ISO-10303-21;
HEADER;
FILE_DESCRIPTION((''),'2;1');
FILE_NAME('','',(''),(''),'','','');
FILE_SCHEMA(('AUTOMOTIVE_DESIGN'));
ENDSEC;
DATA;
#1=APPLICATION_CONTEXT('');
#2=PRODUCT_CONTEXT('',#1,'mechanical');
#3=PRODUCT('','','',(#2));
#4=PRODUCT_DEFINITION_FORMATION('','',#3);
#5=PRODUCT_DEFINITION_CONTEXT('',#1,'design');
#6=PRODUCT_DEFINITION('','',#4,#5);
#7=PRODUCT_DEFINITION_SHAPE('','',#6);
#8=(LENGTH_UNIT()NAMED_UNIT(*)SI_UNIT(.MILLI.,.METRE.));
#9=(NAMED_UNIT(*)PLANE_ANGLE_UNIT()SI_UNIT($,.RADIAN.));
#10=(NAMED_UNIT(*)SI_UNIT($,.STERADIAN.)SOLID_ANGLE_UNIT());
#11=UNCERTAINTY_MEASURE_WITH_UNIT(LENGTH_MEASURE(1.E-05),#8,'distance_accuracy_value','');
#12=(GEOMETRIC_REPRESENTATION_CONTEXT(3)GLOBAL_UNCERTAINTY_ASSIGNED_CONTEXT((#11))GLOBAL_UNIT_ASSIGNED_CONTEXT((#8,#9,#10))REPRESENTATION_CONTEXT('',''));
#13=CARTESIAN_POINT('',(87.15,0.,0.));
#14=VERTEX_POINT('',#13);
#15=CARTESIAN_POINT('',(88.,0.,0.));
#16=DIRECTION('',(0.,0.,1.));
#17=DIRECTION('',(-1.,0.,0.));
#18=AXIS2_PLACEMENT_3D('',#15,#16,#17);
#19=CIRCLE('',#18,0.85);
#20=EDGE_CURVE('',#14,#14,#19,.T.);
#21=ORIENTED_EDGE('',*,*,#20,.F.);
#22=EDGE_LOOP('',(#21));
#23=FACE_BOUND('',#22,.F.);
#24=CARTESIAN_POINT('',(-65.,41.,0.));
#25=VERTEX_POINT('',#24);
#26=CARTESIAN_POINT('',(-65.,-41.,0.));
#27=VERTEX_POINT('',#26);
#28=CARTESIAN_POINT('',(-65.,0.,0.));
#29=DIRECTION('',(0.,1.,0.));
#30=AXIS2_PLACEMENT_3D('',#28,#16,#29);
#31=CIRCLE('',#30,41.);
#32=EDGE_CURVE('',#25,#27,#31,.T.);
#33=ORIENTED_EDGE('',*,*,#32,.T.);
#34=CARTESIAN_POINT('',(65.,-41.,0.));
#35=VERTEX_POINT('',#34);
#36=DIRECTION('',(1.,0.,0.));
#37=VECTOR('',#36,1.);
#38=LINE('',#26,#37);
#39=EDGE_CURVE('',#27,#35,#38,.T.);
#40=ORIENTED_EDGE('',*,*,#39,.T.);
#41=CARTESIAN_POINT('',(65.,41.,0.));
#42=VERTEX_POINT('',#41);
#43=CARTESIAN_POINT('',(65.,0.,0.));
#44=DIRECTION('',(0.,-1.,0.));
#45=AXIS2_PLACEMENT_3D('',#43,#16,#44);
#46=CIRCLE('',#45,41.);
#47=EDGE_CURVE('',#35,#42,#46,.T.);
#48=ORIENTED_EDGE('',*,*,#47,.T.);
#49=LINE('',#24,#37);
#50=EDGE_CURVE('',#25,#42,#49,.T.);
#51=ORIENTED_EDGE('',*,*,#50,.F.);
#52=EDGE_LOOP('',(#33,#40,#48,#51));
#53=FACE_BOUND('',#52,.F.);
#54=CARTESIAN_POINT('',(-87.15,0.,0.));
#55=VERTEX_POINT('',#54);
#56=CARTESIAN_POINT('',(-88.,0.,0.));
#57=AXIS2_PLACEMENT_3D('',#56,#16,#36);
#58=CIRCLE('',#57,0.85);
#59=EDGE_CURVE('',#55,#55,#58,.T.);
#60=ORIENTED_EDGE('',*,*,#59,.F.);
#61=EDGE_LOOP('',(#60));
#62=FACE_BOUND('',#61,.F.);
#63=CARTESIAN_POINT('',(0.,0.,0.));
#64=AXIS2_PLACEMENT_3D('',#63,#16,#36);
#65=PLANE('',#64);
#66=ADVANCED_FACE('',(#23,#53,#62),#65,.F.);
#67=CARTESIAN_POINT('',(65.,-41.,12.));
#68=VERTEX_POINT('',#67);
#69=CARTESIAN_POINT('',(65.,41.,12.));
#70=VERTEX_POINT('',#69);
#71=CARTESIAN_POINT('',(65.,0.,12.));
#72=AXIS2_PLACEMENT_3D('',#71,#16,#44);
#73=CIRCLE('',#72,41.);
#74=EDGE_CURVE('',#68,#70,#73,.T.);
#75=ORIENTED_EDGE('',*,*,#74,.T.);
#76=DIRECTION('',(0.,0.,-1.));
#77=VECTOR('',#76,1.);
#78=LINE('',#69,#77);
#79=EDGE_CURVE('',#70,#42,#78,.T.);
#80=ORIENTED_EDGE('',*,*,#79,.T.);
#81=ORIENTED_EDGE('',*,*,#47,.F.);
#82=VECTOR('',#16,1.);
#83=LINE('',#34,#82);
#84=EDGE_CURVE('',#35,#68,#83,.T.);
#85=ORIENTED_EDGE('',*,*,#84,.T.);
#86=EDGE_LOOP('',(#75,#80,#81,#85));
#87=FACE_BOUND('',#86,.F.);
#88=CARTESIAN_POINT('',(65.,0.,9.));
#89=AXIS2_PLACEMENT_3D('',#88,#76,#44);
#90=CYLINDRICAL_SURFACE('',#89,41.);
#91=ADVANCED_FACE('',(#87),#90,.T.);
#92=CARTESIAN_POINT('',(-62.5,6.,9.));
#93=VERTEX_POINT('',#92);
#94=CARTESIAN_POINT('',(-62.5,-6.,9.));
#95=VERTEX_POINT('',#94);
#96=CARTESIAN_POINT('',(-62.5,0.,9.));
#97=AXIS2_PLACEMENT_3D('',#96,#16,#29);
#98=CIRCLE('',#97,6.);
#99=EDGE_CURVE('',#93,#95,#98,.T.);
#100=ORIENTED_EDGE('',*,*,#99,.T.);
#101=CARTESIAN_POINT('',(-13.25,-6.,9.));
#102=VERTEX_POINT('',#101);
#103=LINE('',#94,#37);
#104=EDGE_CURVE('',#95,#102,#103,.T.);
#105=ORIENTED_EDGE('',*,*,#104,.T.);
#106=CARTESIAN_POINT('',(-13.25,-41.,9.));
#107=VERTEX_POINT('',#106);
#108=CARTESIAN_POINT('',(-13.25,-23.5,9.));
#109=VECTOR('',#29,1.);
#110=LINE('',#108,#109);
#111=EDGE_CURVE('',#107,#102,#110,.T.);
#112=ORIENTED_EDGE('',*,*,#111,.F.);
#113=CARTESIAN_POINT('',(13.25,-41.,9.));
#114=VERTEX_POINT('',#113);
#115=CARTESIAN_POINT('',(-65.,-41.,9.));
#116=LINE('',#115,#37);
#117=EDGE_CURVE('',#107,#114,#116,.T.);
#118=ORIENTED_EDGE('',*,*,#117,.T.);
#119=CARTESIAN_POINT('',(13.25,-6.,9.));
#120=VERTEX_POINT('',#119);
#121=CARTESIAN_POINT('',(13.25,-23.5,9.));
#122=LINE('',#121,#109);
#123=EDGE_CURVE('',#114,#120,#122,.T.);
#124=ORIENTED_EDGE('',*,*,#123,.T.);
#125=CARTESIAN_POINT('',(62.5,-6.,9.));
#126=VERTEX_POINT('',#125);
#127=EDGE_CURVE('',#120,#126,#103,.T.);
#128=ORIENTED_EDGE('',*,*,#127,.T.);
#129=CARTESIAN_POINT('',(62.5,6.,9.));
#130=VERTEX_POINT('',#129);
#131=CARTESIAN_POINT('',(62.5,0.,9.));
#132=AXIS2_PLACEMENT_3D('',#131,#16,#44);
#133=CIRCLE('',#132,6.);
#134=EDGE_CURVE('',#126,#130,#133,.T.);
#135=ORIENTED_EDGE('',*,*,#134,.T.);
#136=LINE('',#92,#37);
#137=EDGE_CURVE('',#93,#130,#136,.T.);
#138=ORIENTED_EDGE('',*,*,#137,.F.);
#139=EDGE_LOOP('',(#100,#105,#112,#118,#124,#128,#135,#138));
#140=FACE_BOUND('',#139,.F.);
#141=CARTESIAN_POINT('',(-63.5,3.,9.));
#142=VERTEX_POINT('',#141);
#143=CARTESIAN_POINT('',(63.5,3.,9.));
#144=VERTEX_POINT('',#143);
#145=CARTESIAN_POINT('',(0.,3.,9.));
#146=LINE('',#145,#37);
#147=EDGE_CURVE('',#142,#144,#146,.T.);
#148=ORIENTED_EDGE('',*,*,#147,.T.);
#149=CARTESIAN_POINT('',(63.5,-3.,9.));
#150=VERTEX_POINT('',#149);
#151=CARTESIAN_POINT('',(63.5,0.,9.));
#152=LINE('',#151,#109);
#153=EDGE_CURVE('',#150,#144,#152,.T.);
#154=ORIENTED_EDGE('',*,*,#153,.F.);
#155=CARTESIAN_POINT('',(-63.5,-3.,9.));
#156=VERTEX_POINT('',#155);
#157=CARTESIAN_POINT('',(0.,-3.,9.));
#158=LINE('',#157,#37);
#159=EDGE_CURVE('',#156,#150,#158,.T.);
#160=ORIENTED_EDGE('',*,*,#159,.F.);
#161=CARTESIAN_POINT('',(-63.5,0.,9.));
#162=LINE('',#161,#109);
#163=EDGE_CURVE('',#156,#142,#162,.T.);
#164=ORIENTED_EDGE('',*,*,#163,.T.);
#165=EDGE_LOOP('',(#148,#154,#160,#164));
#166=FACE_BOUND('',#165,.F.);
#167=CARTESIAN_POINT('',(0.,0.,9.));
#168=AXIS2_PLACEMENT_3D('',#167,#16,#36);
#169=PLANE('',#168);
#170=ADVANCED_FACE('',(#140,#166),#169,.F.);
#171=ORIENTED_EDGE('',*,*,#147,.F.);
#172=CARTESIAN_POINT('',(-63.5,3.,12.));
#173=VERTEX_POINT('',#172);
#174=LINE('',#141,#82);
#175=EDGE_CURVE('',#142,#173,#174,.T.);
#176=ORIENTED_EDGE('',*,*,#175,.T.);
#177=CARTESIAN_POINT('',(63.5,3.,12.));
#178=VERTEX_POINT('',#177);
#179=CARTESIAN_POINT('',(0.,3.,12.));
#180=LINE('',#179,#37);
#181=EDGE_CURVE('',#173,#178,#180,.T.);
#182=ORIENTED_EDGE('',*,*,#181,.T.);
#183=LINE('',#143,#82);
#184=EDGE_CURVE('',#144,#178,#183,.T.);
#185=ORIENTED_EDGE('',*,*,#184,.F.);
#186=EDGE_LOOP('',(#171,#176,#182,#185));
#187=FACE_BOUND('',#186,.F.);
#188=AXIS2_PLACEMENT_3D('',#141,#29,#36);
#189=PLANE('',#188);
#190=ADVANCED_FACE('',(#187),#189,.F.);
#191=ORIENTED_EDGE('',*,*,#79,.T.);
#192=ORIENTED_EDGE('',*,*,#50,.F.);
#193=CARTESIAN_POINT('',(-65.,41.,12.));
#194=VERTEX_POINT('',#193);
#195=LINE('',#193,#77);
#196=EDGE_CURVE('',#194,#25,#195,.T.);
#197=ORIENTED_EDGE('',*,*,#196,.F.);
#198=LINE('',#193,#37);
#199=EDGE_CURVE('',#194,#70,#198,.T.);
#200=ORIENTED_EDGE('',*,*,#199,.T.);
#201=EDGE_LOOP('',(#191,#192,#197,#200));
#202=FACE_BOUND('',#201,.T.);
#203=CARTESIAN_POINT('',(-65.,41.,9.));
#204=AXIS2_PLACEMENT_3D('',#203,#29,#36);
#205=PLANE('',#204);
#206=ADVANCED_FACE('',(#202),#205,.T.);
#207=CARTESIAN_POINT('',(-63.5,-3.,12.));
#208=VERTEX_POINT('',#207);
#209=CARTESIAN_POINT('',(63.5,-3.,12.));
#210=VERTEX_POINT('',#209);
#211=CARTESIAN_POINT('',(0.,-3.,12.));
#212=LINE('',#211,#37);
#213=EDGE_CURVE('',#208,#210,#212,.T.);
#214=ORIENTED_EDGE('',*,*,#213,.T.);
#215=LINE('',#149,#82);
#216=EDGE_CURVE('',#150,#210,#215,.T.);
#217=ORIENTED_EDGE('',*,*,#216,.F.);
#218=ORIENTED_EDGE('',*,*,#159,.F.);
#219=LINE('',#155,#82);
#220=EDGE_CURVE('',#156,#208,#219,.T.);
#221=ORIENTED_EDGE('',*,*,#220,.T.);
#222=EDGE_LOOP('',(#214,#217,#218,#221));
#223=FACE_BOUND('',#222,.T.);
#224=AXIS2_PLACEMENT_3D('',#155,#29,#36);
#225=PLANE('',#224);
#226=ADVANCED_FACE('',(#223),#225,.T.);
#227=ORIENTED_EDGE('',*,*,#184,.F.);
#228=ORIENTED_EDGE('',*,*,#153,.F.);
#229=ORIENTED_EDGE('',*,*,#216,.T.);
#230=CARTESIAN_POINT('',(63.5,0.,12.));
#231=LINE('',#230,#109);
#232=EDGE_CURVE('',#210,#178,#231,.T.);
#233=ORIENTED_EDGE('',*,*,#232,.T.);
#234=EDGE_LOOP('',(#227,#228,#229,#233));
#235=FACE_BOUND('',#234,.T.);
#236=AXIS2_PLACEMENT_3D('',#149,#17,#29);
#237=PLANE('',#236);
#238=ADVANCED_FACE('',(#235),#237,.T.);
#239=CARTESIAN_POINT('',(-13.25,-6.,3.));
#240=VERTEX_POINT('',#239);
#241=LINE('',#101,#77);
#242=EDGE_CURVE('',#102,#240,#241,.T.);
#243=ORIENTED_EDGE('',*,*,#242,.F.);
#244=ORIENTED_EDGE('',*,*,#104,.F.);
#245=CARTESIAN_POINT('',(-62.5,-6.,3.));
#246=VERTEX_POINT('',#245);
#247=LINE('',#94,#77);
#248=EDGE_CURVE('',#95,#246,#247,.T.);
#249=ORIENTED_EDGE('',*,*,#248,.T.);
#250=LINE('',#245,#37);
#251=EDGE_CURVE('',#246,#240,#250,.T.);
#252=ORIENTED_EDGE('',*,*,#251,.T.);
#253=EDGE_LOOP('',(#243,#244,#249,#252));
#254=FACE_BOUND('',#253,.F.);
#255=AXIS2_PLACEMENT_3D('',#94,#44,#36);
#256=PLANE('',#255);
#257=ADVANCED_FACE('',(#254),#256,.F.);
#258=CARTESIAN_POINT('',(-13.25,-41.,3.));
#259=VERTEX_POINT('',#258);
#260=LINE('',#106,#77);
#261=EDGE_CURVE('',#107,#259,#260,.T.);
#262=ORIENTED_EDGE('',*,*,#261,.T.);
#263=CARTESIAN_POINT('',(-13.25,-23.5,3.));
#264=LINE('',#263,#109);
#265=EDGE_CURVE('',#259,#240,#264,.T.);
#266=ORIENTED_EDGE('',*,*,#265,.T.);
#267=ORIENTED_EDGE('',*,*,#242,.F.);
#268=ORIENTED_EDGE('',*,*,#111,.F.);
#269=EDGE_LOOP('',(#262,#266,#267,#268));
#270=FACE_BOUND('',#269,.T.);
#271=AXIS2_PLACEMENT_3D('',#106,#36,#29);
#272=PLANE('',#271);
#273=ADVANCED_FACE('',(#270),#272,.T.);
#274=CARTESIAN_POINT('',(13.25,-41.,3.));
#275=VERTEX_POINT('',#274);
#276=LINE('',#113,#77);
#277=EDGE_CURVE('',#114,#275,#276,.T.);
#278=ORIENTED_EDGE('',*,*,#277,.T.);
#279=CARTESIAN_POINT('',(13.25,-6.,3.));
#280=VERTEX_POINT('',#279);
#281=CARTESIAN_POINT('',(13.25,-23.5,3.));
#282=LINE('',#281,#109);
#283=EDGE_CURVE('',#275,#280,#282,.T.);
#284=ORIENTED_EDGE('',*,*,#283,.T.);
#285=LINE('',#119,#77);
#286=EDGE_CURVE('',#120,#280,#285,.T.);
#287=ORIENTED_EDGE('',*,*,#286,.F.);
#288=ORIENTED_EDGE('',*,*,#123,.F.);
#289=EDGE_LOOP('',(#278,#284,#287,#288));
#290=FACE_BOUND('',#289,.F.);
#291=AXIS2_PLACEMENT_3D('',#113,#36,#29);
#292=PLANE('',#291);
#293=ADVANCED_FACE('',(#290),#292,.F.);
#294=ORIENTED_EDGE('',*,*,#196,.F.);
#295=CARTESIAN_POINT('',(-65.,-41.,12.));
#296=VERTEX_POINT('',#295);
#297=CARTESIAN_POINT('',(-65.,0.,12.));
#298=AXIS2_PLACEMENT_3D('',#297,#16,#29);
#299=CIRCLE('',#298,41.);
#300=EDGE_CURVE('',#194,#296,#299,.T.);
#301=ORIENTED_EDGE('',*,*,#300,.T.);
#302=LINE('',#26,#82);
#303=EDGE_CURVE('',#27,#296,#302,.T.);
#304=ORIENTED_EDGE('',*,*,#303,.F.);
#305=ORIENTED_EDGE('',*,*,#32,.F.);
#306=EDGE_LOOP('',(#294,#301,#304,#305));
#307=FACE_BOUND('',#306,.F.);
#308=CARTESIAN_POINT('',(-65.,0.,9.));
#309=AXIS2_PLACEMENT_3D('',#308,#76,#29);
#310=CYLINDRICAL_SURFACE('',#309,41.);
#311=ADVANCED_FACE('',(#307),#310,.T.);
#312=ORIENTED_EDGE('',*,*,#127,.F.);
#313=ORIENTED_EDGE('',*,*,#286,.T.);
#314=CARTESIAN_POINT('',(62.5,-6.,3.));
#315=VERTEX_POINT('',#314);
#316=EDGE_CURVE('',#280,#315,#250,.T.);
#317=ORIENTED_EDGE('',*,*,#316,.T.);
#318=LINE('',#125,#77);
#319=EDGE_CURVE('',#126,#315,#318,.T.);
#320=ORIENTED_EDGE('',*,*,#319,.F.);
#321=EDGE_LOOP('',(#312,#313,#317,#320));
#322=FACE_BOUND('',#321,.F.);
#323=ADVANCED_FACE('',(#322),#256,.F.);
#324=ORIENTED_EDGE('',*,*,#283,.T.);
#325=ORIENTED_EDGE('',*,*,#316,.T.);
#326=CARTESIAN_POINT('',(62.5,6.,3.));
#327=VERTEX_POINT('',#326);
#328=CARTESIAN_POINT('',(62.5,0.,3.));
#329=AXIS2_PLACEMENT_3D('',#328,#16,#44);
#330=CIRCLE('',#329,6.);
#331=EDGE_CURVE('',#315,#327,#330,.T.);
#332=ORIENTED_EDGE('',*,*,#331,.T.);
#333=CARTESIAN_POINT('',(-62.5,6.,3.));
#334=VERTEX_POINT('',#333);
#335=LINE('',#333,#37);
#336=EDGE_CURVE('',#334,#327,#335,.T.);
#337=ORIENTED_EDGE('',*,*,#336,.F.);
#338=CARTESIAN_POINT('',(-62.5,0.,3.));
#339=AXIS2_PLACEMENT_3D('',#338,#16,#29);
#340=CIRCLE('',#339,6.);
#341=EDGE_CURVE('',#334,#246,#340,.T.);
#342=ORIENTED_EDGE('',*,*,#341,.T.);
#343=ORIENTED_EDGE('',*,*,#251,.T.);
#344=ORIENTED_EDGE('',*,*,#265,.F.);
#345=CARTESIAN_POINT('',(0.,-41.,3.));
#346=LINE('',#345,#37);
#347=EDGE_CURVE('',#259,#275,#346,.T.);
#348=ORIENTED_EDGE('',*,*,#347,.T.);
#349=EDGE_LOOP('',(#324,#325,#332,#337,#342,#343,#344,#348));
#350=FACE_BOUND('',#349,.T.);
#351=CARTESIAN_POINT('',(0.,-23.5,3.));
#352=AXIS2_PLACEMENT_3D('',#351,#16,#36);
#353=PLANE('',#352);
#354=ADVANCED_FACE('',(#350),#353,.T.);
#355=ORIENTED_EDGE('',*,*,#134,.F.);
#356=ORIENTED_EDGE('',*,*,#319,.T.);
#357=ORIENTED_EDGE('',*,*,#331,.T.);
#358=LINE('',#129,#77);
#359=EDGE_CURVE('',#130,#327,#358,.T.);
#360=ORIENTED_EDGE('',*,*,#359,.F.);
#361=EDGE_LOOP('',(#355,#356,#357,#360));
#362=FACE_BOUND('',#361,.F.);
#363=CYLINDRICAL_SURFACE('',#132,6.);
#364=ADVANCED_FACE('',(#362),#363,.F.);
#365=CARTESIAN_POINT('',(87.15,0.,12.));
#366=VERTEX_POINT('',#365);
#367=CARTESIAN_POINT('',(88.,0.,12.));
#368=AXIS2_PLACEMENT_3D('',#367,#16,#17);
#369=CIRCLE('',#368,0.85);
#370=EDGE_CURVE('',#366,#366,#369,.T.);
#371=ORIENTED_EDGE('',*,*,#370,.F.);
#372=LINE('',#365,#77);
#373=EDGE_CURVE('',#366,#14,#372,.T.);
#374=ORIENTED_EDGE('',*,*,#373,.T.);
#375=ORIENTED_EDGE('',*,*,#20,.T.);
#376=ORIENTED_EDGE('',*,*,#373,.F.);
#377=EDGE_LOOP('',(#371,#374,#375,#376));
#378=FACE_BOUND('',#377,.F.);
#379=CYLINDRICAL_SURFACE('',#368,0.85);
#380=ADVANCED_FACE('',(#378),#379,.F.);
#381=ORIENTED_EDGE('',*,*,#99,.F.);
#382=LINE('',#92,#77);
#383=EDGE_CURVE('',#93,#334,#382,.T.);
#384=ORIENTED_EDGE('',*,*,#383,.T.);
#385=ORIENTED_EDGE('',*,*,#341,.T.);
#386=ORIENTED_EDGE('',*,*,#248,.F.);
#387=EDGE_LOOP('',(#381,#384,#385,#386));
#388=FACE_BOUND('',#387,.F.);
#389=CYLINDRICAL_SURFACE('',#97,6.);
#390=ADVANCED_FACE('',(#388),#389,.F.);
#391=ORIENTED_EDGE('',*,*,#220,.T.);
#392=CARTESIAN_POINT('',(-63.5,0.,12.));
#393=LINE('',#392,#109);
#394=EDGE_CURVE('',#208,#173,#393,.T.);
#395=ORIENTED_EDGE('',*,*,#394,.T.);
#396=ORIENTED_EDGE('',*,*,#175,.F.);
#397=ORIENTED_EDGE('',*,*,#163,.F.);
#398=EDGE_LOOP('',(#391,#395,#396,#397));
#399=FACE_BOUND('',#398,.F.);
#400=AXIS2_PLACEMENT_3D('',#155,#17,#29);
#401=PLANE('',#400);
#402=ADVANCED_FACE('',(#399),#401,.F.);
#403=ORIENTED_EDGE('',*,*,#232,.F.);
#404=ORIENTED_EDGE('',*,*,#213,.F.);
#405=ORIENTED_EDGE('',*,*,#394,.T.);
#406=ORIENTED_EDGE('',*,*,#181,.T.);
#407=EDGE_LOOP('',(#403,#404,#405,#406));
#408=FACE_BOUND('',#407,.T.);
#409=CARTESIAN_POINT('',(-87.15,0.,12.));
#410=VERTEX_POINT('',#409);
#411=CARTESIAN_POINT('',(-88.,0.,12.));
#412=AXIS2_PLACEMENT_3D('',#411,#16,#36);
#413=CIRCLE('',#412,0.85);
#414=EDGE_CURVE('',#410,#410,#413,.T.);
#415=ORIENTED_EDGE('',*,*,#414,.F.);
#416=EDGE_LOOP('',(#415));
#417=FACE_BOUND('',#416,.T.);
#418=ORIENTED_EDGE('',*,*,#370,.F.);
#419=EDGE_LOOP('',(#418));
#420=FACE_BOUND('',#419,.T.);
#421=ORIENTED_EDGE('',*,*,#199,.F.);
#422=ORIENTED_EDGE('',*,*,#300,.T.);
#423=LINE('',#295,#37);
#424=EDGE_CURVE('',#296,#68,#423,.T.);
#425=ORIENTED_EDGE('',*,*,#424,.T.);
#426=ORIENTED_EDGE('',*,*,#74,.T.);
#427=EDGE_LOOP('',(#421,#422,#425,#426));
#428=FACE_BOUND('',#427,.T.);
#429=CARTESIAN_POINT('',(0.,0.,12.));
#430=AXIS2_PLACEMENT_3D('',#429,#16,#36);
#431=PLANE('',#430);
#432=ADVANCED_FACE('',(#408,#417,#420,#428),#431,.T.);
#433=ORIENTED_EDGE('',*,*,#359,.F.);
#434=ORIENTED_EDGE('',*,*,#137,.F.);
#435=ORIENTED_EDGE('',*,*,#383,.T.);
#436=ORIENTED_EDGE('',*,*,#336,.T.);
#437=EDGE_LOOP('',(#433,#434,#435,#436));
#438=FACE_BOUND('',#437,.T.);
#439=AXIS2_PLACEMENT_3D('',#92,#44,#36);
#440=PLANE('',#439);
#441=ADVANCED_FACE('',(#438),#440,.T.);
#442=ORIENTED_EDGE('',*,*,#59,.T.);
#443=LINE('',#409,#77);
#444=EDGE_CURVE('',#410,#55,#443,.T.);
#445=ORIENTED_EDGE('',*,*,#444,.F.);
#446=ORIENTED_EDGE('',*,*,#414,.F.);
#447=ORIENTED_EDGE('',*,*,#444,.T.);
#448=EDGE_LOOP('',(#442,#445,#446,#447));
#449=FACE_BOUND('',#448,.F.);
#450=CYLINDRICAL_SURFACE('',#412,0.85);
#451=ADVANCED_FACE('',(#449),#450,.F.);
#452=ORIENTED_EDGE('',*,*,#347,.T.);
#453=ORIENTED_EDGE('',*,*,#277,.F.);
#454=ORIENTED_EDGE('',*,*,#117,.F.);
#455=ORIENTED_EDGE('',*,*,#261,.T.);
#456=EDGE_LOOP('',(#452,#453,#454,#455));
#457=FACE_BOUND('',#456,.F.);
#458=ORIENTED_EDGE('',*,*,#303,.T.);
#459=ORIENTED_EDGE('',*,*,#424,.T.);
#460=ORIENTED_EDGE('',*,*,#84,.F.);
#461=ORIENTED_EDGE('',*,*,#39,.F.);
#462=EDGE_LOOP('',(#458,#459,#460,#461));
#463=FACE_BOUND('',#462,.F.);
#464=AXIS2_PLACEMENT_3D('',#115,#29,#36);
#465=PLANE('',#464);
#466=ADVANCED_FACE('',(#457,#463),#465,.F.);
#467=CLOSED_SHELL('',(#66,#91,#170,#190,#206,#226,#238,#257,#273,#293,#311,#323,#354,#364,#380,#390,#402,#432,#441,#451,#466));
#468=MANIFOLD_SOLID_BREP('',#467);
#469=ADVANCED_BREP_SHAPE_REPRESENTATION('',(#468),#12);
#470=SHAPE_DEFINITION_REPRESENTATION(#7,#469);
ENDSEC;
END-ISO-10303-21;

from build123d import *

# Parameters (mm, degrees)
PAD_DEPTH          = 9
POCKET_DEPTH       = 6
SKETCH002_W        = 26.5
SKETCH002_H        = 35
POCKET001_DEPTH    = 6
SKETCH003_W        = 127
SKETCH003_H        = 6
PAD001_DEPTH       = 3
SKETCH004_R        = 0.85
POCKET002_DEPTH    = 467.245989
POLARPATTERN_COUNT = 2


with BuildPart() as part:
    # Sketch → Pad (new body)
    with BuildSketch(Plane.XY):
        with BuildLine():
            ThreePointArc((-65, 41), (-106, 0), (-65, -41))
            Line((-65, -41), (65, -41))
            ThreePointArc((65, -41), (106, 0), (65, 41))
            Line((-65, 41), (65, 41))
        make_face()
    extrude(amount=PAD_DEPTH)

    # Sketch001 (on Face6 of Pad) → Pocket (cut)
    with BuildSketch(Plane.XY.offset(9)):
        with BuildLine():
            ThreePointArc((-62.5, 6), (-68.5, 0), (-62.5, -6))
            Line((-62.5, -6), (62.5, -6))
            ThreePointArc((62.5, -6), (68.5, 0), (62.5, 6))
            Line((-62.5, 6), (62.5, 6))
        make_face()
    extrude(amount=-POCKET_DEPTH, mode=Mode.SUBTRACT)

    # Sketch002 (on Face5 of Pocket) → Pocket001 (cut)
    with BuildSketch(Plane.XY.offset(9)):
        with Locations((0, -23.5)):
            Rectangle(SKETCH002_W, SKETCH002_H)
    extrude(amount=-POCKET001_DEPTH, mode=Mode.SUBTRACT)

    # Sketch003 (on Face5 of Pocket001) → Pad001 (join)
    with BuildSketch(Plane.XY.offset(9)):
        with BuildLine():
            ThreePointArc((-65, 41), (-106, 0), (-65, -41))
            Line((-65, -41), (65, -41))
            ThreePointArc((65, -41), (106, 0), (65, 41))
            Line((-65, 41), (65, 41))
        make_face()
        Rectangle(SKETCH003_W, SKETCH003_H, mode=Mode.SUBTRACT)
    extrude(amount=PAD001_DEPTH)

    # Sketch004 (on Face12 of Pad001) → Pocket002 (cut, through all)
    with BuildSketch(Plane.XY.offset(12)):
        with Locations((-88, 0)):
            Circle(SKETCH004_R)
    pocket002 = extrude(amount=-POCKET002_DEPTH, mode=Mode.SUBTRACT)

    # PolarPattern: Pocket002 ×2 about axis
    polarpattern_axis = Axis((0, 0, 12), (0, 0, 1))
    for i in range(1, POLARPATTERN_COUNT):
        add(pocket002.rotate(polarpattern_axis, i * 360 / POLARPATTERN_COUNT), mode=Mode.SUBTRACT)


solid = part.part
